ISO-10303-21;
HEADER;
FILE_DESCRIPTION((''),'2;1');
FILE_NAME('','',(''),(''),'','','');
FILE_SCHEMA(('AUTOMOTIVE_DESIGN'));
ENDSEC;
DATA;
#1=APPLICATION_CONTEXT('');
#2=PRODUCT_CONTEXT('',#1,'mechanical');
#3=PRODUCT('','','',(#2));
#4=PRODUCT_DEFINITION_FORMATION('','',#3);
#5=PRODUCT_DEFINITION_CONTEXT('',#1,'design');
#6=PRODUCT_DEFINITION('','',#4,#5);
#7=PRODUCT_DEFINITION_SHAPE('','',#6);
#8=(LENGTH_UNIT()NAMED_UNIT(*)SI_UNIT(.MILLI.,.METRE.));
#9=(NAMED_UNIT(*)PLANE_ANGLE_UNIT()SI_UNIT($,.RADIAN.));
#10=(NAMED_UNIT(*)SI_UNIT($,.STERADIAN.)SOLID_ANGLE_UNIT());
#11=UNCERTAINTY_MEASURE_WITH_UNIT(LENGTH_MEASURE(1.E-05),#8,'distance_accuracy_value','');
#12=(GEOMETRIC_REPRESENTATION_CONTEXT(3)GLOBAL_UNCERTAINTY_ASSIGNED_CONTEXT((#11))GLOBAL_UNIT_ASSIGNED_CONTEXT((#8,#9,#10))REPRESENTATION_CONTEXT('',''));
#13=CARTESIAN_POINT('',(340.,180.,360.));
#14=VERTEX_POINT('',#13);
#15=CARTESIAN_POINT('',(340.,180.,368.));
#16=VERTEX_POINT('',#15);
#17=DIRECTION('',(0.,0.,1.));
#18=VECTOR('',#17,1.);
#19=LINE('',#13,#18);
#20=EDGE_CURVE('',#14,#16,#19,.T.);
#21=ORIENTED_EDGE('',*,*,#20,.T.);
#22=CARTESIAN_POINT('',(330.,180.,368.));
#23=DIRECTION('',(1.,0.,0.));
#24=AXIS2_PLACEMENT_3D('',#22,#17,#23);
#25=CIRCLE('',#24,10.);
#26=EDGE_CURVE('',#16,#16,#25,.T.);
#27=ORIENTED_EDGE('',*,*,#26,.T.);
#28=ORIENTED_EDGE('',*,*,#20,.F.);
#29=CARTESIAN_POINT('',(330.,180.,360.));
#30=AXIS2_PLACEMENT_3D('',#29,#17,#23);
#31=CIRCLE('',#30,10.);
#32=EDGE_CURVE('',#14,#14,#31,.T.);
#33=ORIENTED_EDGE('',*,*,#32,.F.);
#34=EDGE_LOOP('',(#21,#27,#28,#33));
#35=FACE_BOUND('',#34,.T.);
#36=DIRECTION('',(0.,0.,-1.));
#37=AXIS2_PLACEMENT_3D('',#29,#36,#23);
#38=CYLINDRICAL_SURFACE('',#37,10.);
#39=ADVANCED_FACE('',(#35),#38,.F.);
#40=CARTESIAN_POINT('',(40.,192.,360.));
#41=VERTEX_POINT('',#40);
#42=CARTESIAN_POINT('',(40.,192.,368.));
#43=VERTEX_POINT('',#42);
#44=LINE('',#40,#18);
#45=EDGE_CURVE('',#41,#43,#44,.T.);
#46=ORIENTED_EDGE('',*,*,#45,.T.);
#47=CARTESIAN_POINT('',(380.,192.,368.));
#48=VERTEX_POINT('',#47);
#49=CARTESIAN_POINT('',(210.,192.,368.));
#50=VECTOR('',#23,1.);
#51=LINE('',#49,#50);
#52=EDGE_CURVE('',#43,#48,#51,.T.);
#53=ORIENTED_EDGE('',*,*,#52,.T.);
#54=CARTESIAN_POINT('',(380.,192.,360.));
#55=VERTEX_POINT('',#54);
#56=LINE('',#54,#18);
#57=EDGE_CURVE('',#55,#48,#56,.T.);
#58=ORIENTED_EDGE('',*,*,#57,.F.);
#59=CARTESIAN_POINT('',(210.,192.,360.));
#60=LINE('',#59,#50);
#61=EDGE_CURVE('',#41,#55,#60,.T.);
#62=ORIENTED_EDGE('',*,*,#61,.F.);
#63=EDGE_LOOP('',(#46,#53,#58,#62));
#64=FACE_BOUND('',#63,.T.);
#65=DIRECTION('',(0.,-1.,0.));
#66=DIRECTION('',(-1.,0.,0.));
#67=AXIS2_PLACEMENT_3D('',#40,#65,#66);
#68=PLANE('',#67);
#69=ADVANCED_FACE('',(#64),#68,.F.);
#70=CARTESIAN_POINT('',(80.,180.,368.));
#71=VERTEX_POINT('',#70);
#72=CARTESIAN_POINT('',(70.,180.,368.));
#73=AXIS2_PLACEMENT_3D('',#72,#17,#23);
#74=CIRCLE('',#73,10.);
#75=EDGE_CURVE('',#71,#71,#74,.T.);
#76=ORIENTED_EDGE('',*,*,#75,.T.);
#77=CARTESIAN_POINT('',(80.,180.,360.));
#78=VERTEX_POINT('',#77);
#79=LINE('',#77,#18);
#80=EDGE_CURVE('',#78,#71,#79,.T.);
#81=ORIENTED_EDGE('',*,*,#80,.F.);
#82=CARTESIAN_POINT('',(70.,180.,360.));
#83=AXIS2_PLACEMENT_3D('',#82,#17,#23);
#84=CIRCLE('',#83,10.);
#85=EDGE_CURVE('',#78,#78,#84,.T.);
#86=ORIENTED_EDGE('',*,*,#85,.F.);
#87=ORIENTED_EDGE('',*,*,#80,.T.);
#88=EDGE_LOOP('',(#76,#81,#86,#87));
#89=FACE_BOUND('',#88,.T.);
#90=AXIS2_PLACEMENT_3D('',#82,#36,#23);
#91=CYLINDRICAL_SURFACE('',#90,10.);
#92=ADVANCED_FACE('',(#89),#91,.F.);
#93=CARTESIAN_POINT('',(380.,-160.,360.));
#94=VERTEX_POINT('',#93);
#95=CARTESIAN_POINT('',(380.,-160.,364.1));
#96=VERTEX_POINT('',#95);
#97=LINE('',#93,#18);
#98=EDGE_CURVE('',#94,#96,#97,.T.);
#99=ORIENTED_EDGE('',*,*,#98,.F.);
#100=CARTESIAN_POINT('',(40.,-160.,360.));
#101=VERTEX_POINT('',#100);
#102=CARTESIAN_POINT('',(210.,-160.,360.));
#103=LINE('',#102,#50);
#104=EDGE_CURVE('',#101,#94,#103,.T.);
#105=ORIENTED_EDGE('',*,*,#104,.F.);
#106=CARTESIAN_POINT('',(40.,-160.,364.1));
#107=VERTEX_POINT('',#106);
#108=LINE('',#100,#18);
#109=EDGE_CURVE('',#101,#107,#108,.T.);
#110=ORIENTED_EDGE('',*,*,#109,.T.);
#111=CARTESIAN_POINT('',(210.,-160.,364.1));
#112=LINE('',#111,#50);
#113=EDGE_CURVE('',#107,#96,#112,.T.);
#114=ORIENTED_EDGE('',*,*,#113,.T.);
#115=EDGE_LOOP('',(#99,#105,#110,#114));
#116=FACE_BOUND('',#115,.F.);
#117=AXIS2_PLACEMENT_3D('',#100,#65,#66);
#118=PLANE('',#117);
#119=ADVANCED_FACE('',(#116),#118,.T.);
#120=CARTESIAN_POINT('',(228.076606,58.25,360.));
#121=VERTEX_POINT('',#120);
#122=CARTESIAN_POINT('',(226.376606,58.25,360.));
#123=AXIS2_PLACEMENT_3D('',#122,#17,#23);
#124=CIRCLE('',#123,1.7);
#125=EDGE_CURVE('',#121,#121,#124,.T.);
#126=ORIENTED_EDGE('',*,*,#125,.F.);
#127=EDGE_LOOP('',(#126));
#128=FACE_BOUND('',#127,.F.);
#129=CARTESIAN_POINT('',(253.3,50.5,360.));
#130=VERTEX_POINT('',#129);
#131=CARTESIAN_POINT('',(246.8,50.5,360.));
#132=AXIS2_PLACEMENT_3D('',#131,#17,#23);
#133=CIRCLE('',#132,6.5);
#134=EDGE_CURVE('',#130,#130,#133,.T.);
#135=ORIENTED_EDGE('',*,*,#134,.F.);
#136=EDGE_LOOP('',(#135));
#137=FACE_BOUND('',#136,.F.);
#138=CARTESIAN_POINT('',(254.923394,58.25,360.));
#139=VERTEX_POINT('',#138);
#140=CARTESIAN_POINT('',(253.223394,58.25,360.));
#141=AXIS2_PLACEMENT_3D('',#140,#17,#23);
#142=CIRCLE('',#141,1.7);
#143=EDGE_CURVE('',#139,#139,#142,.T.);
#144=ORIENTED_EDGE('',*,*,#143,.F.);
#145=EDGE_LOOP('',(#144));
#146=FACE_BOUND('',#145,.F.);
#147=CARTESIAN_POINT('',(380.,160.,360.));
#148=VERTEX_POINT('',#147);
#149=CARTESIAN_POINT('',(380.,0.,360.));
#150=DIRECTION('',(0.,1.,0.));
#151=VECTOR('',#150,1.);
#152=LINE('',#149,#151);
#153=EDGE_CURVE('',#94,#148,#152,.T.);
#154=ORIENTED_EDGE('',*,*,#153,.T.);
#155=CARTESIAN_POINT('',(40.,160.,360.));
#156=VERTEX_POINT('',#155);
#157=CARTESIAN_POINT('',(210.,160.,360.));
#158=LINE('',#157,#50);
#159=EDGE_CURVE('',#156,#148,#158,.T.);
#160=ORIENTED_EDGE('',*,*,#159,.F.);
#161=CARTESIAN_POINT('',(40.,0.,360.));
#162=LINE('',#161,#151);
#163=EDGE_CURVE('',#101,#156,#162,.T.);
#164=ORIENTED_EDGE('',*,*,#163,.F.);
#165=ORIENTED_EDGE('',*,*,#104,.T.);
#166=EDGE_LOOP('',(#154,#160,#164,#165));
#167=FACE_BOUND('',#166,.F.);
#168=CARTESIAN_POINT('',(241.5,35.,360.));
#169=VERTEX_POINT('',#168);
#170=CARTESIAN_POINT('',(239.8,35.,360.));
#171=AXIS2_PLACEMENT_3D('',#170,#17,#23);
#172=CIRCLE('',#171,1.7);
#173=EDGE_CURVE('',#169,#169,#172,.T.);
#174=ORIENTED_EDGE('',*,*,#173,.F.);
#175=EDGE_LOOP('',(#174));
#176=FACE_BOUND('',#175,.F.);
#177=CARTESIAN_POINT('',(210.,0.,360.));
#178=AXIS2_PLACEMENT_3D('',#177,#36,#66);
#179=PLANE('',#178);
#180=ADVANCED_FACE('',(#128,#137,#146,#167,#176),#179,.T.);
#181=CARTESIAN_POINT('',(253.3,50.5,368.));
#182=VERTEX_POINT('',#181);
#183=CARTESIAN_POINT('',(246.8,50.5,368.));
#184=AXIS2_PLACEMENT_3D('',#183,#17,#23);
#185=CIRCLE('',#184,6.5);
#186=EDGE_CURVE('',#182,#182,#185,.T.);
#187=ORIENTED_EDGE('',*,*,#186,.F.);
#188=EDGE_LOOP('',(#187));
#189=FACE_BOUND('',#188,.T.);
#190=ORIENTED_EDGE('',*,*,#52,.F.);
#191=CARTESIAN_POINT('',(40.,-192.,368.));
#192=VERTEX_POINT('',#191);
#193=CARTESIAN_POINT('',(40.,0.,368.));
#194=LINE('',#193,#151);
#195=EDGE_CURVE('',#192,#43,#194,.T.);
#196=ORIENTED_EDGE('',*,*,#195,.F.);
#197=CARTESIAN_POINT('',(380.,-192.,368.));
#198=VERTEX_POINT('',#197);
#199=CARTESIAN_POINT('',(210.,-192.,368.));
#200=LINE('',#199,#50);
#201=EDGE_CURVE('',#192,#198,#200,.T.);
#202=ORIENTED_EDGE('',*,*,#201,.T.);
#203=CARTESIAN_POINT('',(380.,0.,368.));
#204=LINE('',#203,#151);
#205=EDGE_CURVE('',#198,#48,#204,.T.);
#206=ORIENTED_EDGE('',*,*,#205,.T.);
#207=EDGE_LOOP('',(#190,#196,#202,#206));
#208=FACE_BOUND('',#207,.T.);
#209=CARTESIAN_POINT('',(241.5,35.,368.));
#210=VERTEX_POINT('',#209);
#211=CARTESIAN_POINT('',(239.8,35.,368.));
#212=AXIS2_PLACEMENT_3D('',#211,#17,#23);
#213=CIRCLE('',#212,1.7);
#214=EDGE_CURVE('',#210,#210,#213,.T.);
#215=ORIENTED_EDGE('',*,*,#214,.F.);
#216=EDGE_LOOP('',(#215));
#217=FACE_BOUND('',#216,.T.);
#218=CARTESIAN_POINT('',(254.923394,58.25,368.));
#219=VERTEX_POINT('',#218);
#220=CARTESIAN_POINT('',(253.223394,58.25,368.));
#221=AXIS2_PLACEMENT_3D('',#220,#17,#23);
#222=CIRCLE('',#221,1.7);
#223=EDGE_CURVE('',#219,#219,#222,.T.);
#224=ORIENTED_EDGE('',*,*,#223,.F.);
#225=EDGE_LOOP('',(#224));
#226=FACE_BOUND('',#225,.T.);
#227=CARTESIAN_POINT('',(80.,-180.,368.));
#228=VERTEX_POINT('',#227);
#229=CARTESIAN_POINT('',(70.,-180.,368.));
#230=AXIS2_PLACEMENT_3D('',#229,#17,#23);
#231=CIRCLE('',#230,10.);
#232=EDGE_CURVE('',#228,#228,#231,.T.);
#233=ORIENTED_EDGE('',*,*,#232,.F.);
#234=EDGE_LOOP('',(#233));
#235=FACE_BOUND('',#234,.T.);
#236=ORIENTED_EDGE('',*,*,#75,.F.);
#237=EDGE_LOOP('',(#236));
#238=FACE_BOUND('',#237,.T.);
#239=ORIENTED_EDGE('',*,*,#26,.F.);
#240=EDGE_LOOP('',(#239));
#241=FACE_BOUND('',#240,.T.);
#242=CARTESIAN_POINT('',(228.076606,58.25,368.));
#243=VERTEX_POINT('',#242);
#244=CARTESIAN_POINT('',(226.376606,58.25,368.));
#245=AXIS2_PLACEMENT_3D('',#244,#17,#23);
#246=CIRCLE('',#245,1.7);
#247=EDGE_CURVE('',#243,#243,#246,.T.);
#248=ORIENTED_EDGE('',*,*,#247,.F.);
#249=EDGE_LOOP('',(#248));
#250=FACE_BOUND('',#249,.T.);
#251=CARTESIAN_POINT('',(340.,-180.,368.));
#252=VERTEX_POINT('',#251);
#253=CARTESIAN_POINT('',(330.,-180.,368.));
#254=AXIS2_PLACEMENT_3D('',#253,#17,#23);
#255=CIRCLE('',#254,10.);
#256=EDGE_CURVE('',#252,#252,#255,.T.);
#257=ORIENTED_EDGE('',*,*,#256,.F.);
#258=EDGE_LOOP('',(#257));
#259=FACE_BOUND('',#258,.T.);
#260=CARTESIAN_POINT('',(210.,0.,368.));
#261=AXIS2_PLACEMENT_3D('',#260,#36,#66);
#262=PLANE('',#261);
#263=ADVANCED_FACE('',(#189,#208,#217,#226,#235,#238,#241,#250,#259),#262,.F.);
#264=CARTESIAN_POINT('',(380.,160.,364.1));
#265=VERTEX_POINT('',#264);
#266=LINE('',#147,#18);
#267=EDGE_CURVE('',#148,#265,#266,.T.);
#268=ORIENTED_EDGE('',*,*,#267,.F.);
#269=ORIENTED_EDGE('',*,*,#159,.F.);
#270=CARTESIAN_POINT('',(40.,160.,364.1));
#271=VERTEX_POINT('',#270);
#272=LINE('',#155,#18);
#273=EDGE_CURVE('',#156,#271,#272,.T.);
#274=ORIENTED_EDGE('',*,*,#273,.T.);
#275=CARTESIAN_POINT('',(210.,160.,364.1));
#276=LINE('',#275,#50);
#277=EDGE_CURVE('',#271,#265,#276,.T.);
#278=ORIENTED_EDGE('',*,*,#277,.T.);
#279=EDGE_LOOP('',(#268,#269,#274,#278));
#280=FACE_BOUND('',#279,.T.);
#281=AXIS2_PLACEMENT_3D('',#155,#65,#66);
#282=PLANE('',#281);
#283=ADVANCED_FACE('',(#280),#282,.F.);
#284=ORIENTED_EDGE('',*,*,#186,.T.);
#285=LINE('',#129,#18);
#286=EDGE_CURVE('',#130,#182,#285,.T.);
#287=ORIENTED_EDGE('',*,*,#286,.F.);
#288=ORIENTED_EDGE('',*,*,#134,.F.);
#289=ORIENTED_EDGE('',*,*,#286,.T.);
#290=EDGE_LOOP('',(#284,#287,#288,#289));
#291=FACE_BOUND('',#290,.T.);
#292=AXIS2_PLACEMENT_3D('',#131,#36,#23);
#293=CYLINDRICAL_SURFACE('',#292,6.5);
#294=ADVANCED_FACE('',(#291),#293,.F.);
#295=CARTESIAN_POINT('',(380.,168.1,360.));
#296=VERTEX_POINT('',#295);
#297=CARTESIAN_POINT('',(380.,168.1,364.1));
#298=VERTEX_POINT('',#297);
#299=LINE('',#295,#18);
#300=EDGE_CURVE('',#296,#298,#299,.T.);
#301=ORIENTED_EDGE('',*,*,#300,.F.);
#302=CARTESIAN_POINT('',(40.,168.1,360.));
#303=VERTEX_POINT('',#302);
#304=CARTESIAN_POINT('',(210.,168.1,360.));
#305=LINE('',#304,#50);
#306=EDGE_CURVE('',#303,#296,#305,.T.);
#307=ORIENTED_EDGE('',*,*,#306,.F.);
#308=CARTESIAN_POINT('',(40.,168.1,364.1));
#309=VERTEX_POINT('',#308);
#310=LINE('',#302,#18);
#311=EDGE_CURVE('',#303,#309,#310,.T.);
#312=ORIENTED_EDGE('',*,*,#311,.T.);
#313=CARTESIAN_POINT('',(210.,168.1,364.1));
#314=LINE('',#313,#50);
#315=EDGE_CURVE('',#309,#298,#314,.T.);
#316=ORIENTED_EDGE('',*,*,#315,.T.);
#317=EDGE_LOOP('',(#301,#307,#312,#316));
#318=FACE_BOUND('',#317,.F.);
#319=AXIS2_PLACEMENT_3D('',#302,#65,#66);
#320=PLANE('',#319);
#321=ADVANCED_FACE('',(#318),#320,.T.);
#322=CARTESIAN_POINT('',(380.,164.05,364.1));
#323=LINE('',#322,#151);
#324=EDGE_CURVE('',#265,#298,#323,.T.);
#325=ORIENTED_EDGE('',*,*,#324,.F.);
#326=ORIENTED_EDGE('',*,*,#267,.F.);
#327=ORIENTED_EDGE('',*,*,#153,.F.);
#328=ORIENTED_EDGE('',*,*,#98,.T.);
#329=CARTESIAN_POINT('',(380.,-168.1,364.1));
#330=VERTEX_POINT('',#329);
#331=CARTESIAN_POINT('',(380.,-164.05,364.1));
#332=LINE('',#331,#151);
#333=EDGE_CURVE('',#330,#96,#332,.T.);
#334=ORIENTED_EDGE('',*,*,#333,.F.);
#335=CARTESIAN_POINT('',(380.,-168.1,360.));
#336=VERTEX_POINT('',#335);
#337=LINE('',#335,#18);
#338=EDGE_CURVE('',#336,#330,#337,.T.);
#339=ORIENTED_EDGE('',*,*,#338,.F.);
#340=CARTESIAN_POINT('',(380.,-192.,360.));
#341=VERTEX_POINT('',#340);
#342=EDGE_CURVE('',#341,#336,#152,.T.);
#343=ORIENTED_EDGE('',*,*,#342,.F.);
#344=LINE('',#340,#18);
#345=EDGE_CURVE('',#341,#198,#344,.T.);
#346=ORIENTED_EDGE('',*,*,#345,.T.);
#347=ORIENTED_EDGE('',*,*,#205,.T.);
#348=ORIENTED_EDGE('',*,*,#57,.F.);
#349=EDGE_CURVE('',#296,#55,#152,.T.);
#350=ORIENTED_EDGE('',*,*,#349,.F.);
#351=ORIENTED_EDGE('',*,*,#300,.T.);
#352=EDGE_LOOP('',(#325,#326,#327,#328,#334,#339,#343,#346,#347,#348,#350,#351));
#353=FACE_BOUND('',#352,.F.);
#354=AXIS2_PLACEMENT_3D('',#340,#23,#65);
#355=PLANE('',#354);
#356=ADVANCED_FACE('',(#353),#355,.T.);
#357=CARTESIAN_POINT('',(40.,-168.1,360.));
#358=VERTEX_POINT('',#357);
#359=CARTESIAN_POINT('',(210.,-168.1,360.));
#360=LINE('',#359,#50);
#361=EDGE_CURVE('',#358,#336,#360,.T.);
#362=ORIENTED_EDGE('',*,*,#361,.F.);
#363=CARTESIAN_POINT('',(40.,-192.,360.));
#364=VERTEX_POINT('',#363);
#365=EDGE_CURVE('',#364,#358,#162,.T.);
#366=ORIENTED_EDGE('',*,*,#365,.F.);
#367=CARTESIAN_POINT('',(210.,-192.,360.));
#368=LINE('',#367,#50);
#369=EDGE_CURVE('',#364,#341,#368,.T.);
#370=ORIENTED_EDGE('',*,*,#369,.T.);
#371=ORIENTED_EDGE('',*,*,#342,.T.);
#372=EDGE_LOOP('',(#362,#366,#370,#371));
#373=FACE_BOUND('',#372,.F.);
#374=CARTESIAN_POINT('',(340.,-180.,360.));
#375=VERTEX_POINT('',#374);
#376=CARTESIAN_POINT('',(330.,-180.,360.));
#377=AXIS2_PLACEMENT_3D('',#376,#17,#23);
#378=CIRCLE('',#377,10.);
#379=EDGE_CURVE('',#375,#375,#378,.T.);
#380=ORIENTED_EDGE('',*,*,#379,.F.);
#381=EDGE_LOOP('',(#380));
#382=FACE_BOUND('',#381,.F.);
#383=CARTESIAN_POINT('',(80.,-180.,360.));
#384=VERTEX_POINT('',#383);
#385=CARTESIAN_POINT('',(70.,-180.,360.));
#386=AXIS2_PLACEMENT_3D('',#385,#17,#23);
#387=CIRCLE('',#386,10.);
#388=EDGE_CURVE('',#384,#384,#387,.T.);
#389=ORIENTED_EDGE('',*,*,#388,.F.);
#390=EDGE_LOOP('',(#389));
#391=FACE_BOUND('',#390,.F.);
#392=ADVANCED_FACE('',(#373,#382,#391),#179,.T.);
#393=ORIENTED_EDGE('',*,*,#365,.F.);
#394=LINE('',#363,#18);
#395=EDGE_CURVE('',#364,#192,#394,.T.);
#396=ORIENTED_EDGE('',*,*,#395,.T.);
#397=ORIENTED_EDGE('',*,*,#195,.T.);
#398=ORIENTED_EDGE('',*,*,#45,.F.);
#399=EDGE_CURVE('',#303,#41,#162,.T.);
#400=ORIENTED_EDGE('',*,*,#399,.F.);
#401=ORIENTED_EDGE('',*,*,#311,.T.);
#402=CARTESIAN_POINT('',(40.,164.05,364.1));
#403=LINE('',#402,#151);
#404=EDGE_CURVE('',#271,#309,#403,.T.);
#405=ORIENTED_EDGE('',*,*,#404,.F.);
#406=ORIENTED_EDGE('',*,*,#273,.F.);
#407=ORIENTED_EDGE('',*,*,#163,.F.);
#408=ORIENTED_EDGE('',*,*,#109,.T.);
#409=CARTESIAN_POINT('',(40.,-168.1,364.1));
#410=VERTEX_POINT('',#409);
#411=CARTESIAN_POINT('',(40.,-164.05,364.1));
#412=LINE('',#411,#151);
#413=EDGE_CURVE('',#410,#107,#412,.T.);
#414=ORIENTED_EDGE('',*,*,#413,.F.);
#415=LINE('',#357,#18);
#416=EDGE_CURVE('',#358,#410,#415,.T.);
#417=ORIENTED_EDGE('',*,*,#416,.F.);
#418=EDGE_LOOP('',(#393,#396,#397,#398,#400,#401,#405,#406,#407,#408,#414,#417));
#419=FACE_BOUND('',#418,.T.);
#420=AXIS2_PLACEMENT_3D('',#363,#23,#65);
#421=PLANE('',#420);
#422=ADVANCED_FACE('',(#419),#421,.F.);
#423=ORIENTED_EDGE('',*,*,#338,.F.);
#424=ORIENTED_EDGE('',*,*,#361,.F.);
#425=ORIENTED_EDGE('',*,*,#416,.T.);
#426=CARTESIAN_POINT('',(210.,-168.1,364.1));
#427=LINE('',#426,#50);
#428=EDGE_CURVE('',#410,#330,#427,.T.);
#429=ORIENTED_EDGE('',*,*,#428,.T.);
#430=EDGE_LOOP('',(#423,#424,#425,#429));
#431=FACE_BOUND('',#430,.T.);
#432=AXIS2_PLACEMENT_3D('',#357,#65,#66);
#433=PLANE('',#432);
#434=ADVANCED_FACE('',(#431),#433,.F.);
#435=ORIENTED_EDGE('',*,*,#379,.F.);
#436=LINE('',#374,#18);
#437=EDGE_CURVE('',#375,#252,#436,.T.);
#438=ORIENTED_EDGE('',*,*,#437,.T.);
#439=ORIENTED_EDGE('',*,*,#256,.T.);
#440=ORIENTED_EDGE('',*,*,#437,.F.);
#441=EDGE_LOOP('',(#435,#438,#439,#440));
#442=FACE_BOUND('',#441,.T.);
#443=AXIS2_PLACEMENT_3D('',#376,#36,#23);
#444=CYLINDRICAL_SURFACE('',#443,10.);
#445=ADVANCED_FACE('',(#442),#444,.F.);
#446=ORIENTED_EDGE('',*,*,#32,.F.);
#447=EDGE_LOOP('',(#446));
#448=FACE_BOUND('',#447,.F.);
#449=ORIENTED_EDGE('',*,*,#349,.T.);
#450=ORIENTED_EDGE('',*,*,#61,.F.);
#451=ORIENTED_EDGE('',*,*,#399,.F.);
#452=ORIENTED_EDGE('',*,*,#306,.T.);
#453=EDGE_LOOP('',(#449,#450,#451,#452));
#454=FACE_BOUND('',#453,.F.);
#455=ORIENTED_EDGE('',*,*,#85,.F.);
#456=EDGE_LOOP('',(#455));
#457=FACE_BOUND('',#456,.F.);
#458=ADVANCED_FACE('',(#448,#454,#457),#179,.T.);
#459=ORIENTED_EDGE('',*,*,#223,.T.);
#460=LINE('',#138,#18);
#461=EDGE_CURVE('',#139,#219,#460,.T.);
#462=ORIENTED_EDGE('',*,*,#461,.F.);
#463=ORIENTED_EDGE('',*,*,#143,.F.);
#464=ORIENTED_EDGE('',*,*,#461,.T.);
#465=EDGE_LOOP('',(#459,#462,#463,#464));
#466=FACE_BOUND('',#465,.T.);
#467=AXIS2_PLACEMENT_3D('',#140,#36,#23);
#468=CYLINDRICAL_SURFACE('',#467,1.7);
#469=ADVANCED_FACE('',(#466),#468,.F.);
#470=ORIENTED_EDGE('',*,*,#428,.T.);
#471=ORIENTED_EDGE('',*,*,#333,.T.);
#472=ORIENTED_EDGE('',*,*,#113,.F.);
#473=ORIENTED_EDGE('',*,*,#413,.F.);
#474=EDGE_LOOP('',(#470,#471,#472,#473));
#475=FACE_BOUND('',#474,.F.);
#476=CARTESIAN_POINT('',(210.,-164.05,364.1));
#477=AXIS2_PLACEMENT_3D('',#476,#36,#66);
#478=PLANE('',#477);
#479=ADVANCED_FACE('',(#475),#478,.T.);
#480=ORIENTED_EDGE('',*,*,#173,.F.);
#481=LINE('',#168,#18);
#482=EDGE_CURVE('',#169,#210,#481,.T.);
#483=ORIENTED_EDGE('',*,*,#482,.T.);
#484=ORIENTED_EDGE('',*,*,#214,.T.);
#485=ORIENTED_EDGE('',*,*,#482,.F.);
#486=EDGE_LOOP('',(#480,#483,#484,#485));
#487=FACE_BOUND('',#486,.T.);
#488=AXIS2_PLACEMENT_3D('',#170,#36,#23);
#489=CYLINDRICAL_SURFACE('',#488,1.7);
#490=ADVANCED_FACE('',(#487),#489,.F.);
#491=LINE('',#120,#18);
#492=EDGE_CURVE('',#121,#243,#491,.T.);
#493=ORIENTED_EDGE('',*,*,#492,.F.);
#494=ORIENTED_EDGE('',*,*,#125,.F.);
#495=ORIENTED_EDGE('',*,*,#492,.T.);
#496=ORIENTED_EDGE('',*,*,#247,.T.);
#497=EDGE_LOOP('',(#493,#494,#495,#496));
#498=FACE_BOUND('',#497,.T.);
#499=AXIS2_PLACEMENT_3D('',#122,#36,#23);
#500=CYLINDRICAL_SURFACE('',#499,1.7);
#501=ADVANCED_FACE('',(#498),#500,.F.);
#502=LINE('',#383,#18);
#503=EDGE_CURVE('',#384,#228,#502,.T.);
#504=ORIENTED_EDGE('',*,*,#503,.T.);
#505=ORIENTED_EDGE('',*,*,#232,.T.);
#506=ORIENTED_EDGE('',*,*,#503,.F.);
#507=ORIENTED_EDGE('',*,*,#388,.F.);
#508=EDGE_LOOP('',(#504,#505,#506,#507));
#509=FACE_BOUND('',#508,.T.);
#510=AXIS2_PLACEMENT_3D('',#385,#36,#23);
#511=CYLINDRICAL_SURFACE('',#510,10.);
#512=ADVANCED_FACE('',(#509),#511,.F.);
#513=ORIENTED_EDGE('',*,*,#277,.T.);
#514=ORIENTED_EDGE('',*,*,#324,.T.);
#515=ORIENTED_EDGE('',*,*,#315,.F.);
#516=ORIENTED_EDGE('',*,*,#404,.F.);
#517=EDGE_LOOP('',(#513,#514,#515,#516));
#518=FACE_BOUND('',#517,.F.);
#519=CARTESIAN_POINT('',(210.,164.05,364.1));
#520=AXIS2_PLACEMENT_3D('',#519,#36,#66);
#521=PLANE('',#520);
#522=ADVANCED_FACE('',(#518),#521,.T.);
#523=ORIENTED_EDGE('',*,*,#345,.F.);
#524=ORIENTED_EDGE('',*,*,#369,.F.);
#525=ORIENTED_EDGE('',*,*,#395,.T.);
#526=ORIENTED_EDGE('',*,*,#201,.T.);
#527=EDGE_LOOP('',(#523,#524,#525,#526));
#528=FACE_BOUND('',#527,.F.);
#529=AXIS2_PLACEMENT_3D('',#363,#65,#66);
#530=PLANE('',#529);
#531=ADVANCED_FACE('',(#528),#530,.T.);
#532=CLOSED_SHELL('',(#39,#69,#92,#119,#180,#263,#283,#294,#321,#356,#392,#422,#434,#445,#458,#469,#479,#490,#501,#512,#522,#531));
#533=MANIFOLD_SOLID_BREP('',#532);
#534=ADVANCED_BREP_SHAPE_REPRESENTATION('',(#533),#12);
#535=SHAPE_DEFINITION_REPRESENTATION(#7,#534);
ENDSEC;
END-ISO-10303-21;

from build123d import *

# Parameters (mm, degrees)
SKETCH023_W     = 340
SKETCH023_H     = 384
SKETCH023_R     = 1.7
SKETCH023_R_2   = 6.5
SKETCH023_R_3   = 10
PAD015_DEPTH    = 8
SKETCH040_W     = 340
SKETCH040_H     = 8.1
POCKET009_DEPTH = 4.1


with BuildPart() as wall_inner:
    # Sketch023 → Pad015 (new body)
    with BuildSketch(Plane.XY.offset(40)):
        with Locations((210, 0)):
            Rectangle(SKETCH023_W, SKETCH023_H)
        with Locations((226.376606, 58.25)):
            Circle(SKETCH023_R, mode=Mode.SUBTRACT)
        with Locations((253.223394, 58.25)):
            Circle(SKETCH023_R, mode=Mode.SUBTRACT)
        with Locations((239.8, 35)):
            Circle(SKETCH023_R, mode=Mode.SUBTRACT)
        with Locations((246.8, 50.5)):
            Circle(SKETCH023_R_2, mode=Mode.SUBTRACT)
        with Locations((70, 180)):
            Circle(SKETCH023_R_3, mode=Mode.SUBTRACT)
        with Locations((330, 180)):
            Circle(SKETCH023_R_3, mode=Mode.SUBTRACT)
        with Locations((70, -180)):
            Circle(SKETCH023_R_3, mode=Mode.SUBTRACT)
        with Locations((330, -180)):
            Circle(SKETCH023_R_3, mode=Mode.SUBTRACT)
    extrude(amount=-PAD015_DEPTH)

    # Sketch040 → Pocket009 (cut)
    with BuildSketch(Plane.XY.offset(40)):
        with Locations((210, 164.05)):
            Rectangle(SKETCH040_W, SKETCH040_H)
        with Locations((210, -164.05)):
            Rectangle(SKETCH040_W, SKETCH040_H)
    extrude(amount=-POCKET009_DEPTH, mode=Mode.SUBTRACT)


with BuildPart() as part_mirroring004:
    # Part__Mirroring004: instance of Wall-inner
    add(wall_inner.part.mirror(Plane(origin=(0, 0, 200), x_dir=(0, 1, 0), z_dir=(0, 0, 1))))


solid = part_mirroring004.part
